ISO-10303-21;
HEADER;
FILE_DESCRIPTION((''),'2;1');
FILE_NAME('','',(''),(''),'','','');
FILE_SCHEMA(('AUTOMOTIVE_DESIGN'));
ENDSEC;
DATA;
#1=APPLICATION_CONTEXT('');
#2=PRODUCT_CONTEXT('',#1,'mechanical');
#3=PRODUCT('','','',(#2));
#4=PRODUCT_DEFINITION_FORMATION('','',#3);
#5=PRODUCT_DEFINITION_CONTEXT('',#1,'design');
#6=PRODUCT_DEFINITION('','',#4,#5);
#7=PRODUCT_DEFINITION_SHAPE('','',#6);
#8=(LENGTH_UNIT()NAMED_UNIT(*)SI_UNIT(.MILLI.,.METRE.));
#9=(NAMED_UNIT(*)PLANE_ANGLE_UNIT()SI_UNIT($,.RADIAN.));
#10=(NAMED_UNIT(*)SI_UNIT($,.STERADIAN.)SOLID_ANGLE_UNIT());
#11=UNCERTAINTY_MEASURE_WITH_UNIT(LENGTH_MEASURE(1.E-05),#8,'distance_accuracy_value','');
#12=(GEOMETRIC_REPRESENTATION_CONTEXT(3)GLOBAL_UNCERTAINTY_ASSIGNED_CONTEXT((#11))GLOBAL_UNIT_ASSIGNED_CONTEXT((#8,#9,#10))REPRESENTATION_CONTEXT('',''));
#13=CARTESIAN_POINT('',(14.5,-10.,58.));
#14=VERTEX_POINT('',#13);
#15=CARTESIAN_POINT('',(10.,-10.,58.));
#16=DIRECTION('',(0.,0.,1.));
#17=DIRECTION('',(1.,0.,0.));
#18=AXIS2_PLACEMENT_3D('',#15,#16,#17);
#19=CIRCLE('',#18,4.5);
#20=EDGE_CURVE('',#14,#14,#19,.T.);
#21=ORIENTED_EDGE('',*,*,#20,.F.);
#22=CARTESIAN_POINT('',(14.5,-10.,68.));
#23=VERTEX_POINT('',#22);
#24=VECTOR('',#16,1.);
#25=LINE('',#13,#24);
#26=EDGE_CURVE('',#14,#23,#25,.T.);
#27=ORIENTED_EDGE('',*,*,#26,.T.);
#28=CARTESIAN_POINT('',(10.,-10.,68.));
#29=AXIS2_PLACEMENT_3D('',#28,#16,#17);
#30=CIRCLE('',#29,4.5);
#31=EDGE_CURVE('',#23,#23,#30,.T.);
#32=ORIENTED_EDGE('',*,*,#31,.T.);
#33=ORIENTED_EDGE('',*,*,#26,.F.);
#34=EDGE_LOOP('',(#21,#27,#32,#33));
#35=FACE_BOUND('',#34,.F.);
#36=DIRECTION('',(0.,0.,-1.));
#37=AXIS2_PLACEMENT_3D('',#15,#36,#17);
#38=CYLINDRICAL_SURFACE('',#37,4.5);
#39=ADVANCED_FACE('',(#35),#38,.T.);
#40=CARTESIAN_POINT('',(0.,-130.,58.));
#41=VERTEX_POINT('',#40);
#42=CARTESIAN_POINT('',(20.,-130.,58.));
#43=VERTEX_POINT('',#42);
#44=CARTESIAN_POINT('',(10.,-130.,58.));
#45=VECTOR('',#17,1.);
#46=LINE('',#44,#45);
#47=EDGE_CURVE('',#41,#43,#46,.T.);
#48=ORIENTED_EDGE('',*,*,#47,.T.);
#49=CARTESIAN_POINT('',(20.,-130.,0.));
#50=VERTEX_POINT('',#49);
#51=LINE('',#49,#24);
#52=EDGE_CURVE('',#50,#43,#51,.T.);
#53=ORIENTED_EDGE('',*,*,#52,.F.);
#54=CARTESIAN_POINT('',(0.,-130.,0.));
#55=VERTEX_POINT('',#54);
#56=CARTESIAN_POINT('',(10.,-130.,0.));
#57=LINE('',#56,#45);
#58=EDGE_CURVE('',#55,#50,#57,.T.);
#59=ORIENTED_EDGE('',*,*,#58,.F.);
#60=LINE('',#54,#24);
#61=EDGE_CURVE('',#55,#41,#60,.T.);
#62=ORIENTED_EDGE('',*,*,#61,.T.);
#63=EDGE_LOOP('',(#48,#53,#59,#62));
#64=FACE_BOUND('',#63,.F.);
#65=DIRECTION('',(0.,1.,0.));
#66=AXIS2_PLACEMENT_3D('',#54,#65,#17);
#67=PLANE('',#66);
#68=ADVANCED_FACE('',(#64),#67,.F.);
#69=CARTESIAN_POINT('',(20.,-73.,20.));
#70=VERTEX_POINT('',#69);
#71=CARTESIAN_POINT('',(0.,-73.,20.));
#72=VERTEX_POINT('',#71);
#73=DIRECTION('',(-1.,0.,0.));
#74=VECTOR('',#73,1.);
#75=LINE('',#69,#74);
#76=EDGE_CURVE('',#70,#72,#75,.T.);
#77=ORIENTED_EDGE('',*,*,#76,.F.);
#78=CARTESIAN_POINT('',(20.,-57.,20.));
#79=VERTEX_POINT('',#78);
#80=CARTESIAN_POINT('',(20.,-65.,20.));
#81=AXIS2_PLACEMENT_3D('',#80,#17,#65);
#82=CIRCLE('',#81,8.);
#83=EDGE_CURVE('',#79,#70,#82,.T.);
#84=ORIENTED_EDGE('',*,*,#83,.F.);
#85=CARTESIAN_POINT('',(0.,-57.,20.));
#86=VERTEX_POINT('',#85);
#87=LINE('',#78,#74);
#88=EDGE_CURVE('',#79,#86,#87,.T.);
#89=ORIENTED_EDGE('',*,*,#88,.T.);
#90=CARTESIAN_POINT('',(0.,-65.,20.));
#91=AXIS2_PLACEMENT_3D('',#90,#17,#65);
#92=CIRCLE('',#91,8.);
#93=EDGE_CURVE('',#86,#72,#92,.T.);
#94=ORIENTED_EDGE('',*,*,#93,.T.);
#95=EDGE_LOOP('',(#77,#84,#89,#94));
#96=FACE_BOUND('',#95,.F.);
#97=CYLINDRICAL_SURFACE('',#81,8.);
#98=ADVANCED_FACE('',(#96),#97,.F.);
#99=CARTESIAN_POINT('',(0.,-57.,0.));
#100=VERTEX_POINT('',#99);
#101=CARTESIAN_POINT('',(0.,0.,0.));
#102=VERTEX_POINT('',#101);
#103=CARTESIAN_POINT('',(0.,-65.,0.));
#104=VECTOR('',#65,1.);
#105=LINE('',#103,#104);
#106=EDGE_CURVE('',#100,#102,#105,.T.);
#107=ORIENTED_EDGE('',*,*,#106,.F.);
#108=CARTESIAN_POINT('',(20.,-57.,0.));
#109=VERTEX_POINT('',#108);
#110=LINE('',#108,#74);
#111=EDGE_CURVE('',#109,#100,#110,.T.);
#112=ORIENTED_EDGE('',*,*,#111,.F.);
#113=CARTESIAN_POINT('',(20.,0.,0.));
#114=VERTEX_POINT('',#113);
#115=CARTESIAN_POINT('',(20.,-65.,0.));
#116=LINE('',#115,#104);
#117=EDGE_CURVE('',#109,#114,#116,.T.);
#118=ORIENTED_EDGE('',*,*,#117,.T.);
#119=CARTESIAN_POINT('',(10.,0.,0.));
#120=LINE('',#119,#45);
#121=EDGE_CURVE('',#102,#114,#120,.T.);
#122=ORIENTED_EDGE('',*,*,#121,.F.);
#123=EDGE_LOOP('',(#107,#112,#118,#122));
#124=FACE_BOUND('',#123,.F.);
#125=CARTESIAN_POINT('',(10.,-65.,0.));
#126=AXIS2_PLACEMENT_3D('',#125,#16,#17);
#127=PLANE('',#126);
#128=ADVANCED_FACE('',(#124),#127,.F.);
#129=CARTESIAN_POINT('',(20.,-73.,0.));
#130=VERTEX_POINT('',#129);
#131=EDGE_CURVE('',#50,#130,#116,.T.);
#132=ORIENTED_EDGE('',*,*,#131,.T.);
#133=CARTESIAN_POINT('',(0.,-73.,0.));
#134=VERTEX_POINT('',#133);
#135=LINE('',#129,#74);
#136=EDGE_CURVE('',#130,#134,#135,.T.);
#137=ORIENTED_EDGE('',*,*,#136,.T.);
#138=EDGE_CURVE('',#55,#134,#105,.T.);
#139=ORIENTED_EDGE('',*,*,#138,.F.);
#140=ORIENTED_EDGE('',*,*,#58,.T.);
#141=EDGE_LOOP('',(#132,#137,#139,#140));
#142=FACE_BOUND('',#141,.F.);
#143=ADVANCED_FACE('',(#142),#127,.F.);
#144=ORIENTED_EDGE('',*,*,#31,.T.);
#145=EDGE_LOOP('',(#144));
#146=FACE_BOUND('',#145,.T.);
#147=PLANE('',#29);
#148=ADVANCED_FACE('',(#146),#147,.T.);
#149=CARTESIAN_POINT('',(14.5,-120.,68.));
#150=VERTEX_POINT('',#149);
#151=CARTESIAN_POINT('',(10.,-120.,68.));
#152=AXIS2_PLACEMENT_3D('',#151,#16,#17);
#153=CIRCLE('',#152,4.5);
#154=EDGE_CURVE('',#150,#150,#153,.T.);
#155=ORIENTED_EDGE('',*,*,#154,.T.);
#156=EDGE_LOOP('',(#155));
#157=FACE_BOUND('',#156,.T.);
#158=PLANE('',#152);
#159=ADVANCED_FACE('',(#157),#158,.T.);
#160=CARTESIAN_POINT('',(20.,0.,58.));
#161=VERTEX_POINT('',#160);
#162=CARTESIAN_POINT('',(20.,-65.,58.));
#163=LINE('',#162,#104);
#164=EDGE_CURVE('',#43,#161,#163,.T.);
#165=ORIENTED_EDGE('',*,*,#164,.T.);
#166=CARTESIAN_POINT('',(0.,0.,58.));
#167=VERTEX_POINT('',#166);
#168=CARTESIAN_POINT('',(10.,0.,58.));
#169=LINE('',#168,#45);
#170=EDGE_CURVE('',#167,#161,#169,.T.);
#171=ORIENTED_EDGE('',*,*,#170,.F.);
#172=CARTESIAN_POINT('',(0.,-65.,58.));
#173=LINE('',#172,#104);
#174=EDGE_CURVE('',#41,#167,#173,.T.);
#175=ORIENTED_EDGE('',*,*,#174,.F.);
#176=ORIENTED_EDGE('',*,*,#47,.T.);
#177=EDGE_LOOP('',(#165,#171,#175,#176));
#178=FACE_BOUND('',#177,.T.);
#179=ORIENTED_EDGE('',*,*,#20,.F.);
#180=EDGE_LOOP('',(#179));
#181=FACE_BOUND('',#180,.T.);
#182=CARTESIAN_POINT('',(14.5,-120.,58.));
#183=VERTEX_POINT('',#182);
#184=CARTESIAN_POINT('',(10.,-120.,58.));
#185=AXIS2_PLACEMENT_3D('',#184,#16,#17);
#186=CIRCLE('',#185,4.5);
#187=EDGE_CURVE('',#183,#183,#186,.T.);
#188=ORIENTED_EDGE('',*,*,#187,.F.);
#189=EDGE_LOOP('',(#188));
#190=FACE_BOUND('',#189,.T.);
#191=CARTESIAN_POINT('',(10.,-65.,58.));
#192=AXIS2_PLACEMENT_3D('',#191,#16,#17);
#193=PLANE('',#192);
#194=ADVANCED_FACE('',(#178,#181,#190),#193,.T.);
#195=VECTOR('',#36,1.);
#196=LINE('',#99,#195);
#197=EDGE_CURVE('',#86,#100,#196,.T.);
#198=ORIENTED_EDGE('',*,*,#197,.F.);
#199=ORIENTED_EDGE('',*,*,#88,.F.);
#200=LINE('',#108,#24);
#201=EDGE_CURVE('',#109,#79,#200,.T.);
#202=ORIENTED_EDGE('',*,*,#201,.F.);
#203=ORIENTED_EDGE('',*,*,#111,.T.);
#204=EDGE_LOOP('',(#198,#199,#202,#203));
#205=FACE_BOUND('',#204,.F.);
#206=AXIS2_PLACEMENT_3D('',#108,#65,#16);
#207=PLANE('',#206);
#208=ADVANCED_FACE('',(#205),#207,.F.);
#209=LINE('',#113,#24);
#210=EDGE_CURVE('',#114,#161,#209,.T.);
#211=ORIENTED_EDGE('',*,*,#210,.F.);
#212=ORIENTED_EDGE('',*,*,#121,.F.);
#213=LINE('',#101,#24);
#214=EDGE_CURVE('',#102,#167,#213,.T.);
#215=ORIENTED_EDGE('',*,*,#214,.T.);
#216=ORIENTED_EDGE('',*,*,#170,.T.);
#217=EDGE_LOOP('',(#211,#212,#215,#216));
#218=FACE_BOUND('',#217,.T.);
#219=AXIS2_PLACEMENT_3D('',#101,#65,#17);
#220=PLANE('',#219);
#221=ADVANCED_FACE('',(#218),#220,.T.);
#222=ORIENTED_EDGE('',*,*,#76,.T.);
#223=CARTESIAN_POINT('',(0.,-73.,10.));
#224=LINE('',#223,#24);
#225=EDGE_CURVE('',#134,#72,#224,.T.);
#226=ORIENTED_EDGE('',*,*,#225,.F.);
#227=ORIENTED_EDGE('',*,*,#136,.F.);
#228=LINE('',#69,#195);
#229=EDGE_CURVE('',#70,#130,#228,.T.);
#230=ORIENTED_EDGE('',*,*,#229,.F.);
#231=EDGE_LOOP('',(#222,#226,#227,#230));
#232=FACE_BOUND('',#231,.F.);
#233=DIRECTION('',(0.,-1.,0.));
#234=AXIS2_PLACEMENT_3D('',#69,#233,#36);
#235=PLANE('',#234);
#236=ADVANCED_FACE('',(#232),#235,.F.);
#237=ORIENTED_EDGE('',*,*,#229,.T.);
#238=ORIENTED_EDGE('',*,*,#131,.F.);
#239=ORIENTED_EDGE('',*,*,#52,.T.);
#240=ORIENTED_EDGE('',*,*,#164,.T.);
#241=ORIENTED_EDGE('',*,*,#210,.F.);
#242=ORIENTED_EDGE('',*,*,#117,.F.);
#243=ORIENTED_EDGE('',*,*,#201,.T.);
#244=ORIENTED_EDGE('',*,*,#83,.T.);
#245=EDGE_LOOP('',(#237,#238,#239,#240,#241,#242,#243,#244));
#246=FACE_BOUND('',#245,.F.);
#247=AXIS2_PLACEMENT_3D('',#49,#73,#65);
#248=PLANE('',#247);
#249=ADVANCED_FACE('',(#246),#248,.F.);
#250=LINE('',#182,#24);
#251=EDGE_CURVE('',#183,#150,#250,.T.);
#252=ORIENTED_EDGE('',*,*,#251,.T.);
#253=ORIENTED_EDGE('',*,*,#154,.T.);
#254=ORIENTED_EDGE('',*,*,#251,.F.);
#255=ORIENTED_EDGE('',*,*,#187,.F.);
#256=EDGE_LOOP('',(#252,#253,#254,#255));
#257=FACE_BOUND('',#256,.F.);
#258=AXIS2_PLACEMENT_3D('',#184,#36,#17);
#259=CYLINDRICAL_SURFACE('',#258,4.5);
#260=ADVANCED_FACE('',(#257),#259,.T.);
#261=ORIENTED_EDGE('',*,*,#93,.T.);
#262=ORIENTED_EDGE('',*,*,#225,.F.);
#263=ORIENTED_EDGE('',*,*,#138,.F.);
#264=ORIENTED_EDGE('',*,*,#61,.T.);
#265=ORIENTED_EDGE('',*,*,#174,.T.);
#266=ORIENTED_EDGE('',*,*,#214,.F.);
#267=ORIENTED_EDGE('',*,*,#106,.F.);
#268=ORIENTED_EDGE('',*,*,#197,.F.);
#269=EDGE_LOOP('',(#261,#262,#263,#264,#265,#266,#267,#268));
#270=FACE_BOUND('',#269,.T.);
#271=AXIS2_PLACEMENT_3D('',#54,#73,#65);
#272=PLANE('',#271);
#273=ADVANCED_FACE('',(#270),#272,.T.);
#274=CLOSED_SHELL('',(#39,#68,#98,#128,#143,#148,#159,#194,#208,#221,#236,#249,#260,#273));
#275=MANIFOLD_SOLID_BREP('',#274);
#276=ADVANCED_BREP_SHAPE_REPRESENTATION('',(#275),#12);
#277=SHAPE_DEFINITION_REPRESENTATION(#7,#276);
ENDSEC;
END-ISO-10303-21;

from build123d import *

# Parameters (mm, degrees)
F0_W     = 20
F0_H     = 130
F1_DEPTH = 58
F3_DEPTH = 20.001
F4_R     = 4.5
F5_DEPTH = 10


with BuildPart() as f1:
    # F0 (on Top) → F1 (new body)
    with BuildSketch(Plane.XY):
        with Locations((10, -65)):
            Rectangle(F0_W, F0_H)
    extrude(amount=F1_DEPTH)

    # F2 (on face) → F3 (cut, through all)
    with BuildSketch(Plane.YZ.offset(20)):
        with BuildLine():
            Line((-57, 0), (-57, 20))
            ThreePointArc((-57, 20), (-65, 28), (-73, 20))
            Line((-73, 20), (-73, 0))
            Line((-73, 0), (-57, 0))
        make_face()
    extrude(amount=-F3_DEPTH, mode=Mode.SUBTRACT)

    # F4 (on face) → F5 (join)
    with BuildSketch(Plane.XY.offset(58)):
        with Locations((10, -10)):
            Circle(F4_R)
        with Locations((10, -120)):
            Circle(F4_R)
    extrude(amount=F5_DEPTH)


solid = f1.part
